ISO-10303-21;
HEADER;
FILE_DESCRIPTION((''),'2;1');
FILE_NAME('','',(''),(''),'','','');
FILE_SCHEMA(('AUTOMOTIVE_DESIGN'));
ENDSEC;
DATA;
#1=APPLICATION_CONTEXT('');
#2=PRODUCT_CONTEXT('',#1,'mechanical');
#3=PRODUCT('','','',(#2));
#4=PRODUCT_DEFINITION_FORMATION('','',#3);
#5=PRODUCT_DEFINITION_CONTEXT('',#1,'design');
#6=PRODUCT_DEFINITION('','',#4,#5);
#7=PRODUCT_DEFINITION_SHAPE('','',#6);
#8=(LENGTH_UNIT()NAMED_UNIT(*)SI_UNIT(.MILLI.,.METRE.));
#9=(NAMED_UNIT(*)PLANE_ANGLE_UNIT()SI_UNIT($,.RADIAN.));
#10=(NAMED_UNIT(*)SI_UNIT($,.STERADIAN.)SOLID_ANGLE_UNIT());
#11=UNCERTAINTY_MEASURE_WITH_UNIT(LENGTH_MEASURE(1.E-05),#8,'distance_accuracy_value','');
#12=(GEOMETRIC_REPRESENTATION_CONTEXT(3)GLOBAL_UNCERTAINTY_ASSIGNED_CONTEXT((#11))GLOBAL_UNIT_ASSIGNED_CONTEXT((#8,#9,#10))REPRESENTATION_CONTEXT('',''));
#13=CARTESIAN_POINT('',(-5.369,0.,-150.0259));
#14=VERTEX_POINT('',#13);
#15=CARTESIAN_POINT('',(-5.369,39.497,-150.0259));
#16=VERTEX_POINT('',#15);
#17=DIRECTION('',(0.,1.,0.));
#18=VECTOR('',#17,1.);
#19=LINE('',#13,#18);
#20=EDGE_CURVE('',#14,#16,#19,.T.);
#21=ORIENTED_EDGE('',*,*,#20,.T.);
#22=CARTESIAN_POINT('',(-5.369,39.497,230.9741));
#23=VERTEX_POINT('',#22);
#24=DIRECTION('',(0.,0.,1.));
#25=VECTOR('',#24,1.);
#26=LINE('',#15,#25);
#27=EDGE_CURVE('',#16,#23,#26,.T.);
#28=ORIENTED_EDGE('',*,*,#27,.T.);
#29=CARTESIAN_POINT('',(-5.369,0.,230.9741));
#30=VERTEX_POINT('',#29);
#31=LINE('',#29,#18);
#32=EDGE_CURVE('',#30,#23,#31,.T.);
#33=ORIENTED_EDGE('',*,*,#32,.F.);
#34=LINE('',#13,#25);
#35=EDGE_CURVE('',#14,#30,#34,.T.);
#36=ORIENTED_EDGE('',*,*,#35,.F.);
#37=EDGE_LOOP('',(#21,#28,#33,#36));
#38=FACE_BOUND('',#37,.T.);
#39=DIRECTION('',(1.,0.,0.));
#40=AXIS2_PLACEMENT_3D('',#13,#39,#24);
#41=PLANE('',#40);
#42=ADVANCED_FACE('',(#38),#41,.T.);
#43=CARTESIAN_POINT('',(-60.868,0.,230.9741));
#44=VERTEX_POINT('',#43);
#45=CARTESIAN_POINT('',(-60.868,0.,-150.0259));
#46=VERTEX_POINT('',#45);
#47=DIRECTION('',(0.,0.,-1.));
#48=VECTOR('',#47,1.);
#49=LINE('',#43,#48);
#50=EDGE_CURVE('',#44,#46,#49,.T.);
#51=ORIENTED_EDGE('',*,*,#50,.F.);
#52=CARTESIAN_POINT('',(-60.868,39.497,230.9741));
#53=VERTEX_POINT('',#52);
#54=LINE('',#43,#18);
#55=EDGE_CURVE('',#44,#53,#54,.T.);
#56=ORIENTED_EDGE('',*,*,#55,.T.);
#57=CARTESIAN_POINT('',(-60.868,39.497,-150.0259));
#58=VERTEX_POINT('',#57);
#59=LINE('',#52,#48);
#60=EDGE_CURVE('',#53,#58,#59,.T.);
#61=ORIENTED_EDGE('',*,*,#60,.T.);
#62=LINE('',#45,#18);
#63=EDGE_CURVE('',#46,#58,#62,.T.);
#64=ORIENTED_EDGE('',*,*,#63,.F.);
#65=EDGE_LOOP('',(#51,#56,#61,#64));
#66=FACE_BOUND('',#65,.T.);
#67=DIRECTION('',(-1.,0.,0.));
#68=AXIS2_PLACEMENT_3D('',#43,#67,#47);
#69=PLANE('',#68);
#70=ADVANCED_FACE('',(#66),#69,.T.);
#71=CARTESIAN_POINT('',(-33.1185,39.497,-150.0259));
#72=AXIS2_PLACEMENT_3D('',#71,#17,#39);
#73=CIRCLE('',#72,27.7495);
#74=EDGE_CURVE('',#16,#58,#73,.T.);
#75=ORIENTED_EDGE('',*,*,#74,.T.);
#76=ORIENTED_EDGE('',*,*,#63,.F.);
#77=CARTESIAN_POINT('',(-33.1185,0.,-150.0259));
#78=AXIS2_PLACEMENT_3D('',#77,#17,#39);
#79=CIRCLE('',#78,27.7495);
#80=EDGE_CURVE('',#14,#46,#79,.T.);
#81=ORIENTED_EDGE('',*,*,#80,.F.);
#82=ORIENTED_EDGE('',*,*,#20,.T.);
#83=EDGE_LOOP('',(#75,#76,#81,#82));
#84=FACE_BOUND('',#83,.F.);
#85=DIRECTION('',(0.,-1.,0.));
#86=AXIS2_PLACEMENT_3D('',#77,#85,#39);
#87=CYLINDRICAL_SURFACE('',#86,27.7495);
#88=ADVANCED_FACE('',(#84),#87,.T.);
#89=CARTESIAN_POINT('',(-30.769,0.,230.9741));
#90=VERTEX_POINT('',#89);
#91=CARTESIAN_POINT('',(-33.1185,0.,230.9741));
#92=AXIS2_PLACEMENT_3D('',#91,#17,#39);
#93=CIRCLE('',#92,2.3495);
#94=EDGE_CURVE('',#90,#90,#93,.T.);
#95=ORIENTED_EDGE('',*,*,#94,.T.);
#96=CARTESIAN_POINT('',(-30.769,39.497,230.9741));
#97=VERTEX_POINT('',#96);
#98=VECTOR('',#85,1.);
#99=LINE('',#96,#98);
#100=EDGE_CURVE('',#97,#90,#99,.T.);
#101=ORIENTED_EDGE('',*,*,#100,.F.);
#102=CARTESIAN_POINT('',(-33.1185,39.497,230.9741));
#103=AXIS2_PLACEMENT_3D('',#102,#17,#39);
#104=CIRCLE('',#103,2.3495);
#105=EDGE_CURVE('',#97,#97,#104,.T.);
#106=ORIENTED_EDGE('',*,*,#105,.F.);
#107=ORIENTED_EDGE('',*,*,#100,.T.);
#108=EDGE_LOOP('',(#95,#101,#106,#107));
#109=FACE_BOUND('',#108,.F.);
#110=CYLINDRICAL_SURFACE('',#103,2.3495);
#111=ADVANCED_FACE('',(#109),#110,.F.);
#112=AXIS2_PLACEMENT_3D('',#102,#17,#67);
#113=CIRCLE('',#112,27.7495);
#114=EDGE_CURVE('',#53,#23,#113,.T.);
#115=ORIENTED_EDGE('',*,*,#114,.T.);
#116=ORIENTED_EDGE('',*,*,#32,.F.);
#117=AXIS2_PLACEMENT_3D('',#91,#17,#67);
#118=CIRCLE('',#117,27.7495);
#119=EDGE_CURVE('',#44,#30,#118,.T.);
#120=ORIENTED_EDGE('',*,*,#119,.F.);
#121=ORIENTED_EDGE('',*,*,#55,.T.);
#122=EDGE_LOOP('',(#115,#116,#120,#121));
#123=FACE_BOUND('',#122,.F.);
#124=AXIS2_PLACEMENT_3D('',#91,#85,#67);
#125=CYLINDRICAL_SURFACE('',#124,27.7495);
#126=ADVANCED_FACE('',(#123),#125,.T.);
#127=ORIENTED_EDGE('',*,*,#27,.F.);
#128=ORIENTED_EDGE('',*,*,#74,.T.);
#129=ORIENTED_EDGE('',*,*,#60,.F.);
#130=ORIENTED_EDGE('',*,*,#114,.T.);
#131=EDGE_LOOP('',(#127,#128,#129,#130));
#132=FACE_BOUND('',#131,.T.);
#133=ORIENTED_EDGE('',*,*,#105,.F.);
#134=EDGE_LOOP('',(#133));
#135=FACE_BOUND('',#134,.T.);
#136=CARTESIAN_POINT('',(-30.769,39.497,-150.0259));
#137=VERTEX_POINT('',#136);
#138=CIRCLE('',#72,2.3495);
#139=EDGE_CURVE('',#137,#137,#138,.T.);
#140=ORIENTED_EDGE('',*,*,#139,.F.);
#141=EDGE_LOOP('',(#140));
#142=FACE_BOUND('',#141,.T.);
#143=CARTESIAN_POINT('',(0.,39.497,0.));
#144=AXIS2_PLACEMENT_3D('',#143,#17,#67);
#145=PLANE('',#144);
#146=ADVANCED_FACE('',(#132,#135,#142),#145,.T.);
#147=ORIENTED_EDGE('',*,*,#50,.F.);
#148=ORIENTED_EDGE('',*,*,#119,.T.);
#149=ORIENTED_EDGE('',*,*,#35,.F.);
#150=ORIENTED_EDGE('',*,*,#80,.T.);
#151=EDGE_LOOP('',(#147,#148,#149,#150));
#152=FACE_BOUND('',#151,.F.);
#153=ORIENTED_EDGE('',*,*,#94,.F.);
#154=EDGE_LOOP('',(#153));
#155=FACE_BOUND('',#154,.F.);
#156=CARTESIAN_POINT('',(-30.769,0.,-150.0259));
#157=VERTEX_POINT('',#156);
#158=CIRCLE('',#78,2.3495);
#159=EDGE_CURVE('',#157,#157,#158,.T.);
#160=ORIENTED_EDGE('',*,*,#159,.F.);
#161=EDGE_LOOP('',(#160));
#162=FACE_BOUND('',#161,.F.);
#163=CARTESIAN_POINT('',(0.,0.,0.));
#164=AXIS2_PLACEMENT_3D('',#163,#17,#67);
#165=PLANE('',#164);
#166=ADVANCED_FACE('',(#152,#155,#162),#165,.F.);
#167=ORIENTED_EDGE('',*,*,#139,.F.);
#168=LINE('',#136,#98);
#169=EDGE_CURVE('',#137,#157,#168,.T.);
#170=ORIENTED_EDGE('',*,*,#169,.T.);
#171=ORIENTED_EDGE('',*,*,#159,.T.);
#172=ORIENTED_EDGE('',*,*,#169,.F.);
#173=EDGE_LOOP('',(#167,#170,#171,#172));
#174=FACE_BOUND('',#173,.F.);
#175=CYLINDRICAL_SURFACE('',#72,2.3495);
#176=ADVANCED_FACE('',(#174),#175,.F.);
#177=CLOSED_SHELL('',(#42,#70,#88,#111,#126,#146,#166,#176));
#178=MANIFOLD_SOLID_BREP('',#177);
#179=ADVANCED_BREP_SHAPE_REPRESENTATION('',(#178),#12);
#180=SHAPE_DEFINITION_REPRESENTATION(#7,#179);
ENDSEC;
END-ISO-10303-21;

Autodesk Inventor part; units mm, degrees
ref_plane "YZ Plane" through (0, 0, 0) normal (1, 0, 0) x (0, 1, 0)
ref_plane "XZ Plane" through (0, 0, 0) normal (0, 1, 0) x (-1, 0, 0)
ref_plane "XY Plane" through (0, 0, 0) normal (0, 0, 1) x (1, 0, 0)
sketch "Sketch1" plane through (0, 0, 0) normal (0, 1, 0) x (-1, 0, 0)
  arc A0 (60.868, 230.9741) -> (5.369, 230.9741) centre (33.1185, 230.9741) ccw
  arc A1 (5.369, -150.0259) -> (60.868, -150.0259) centre (33.1185, -150.0259) ccw
  line L0 (60.868, 230.9741) -> (60.868, -150.0259)
  line L1 (5.369, -150.0259) -> (5.369, 230.9741)
  line L2 (33.1185, -150.0259) -> (-189.304, -150.0259) construction
  line L3 (33.1185, 230.9741) -> (-194.5746, 230.9741) construction
  point P0 (0, 0)
  dimension "d0" = 55.499
  dimension "d1" = 381
extrude "Extrusion1" add sketch "Sketch1" along normal blind 39.497
sketch "Sketch2" plane through (0, 39.497, 0) normal (0, 1, 0) x (1, 0, 0)
  arc A0 (-60.868, -230.9741) -> (-5.369, -230.9741) centre (-33.1185, -230.9741) ccw projected
  line L0 (-5.369, -230.9741) -> (-5.369, 150.0259) projected
  arc A1 (-5.369, 150.0259) -> (-60.868, 150.0259) centre (-33.1185, 150.0259) ccw projected
  line L1 (-60.868, 150.0259) -> (-60.868, -230.9741) projected
  circle A2 centre (-33.1185, -230.9741) radius 2.3495
  circle A3 centre (-33.1185, 150.0259) radius 2.3495
  point P0 (0, 0)
  dimension "d4" = 4.699
  dimension "d5" = 4.699
extrude "Extrusion2" cut sketch "Sketch2" against normal through all contours A2 | A3
properties part number "Conveyor Belt"
